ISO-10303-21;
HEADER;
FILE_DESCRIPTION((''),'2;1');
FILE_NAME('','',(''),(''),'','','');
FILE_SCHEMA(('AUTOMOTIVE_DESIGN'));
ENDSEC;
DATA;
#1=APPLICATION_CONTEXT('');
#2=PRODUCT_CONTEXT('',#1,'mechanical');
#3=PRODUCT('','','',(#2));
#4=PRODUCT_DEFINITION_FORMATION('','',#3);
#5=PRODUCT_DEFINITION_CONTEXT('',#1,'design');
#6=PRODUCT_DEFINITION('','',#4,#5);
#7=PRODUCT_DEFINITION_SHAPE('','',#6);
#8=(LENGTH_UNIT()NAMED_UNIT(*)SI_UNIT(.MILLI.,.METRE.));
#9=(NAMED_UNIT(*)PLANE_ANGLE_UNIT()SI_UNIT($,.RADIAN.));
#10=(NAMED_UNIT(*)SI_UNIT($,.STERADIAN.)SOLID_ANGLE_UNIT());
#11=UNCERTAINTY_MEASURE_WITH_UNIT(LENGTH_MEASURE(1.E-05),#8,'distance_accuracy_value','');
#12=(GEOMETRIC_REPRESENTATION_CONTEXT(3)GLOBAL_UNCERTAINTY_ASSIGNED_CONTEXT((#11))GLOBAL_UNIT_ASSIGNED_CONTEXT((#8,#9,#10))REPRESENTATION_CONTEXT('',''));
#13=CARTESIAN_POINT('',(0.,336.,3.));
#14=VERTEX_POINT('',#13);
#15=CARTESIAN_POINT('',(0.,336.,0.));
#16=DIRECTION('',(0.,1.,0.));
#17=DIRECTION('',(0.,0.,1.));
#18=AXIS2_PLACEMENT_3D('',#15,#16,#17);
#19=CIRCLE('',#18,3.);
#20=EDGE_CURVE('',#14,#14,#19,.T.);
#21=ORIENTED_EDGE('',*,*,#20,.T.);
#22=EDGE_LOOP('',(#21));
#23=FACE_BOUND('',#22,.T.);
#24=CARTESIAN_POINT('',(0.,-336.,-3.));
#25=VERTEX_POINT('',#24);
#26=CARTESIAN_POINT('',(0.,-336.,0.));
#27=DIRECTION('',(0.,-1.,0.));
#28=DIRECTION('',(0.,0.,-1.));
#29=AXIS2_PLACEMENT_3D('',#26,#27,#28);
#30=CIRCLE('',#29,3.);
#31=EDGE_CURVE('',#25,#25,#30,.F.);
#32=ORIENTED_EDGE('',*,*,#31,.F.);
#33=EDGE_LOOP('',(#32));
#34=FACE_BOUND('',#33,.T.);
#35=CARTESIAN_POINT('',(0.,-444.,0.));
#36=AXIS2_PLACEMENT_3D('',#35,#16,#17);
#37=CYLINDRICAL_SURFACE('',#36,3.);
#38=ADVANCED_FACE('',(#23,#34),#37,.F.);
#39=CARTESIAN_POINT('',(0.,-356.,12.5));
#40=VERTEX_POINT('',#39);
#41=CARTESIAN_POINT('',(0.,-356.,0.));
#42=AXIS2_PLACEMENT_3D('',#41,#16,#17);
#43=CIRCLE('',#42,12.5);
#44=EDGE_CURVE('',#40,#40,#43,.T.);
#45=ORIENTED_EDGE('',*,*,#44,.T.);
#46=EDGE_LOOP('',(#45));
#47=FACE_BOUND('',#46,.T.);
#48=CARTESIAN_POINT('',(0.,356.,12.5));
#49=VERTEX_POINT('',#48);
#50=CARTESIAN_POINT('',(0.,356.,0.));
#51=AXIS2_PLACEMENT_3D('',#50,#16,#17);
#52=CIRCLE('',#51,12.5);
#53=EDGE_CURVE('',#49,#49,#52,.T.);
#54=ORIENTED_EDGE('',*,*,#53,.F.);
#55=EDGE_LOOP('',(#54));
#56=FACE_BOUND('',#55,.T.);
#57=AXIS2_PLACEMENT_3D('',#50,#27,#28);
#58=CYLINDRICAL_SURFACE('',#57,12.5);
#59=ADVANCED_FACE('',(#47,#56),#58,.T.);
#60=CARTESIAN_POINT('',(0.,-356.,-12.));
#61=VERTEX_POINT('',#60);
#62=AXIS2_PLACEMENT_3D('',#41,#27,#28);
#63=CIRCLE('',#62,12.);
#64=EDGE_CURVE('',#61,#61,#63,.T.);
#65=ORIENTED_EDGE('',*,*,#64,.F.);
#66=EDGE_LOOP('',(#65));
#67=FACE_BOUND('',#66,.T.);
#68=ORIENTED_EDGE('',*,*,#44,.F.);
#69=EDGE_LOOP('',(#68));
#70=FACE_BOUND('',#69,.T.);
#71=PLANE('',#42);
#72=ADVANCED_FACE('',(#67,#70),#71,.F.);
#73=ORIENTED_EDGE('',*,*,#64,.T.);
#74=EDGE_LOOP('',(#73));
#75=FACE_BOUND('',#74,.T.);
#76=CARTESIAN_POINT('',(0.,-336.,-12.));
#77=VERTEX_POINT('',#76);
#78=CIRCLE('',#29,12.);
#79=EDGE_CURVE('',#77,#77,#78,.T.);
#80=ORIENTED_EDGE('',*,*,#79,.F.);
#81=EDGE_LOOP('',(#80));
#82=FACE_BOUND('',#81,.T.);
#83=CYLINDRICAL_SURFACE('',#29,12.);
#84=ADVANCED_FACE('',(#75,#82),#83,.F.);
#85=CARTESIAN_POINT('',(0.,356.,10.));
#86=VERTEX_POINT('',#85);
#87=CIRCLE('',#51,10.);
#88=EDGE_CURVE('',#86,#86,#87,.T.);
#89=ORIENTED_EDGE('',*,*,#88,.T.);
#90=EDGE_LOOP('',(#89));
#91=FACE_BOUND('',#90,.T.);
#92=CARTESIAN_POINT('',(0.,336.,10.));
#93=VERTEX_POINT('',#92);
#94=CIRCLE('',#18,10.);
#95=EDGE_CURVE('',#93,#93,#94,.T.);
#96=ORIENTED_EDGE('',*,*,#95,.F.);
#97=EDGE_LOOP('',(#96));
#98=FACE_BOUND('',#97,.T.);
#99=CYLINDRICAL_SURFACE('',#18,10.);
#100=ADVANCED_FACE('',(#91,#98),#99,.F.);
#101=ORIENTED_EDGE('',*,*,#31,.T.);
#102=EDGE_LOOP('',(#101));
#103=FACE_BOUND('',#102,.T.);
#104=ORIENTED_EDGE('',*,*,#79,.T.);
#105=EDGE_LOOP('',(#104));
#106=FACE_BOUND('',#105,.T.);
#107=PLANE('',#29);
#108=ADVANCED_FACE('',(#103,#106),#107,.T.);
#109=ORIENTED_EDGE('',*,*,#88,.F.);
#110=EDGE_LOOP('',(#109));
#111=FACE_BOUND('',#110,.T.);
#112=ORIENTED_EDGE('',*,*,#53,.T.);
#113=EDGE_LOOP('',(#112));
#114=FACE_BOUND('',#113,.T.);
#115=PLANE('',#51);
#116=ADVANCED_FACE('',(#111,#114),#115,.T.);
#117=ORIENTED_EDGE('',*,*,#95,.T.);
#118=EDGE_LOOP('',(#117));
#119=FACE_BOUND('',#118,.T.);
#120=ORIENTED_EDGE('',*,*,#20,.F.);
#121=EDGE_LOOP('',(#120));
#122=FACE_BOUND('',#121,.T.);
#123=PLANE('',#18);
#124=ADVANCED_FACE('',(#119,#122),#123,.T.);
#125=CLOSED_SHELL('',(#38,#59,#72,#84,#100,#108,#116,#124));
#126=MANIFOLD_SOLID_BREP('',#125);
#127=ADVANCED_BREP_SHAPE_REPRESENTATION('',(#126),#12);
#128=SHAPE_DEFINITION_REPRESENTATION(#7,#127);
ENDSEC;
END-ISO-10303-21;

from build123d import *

# Parameters (mm, degrees)
SKETCH_1_R          = 12.5
EXTRUDE_1_DEPTH     = 356
SKETCH_2_R          = 10
CUT_EXTRUDE_1_DEPTH = 20
SKETCH_3_R          = 3
CUT_EXTRUDE_2_DEPTH = 800
SKETCH_4_R          = 12
CUT_EXTRUDE_3_DEPTH = 20


with BuildPart() as part:
    # 草图1 → 凸台-拉伸1 (new body, symmetric)
    with BuildSketch(Plane(origin=(0, 0, 0), x_dir=(1, 0, 0), z_dir=(0, 1, 0))):
        Circle(SKETCH_1_R)
    extrude(amount=EXTRUDE_1_DEPTH, both=True)

    # 草图2 → 切除-拉伸1 (cut)
    with BuildSketch(Plane(origin=(0, 356, 0), x_dir=(1, 0, 0), z_dir=(0, 1, 0))):
        Circle(SKETCH_2_R)
    extrude(amount=-CUT_EXTRUDE_1_DEPTH, mode=Mode.SUBTRACT)

    # 草图3 → 切除-拉伸2 (cut)
    with BuildSketch(Plane(origin=(0, 356, 0), x_dir=(1, 0, 0), z_dir=(0, 1, 0))):
        Circle(SKETCH_3_R)
    extrude(amount=-CUT_EXTRUDE_2_DEPTH, mode=Mode.SUBTRACT)

    # 草图4 → 切除-拉伸3 (cut)
    with BuildSketch(Plane.XZ.offset(356)):
        Circle(SKETCH_4_R)
    extrude(amount=-CUT_EXTRUDE_3_DEPTH, mode=Mode.SUBTRACT)


solid = part.part
